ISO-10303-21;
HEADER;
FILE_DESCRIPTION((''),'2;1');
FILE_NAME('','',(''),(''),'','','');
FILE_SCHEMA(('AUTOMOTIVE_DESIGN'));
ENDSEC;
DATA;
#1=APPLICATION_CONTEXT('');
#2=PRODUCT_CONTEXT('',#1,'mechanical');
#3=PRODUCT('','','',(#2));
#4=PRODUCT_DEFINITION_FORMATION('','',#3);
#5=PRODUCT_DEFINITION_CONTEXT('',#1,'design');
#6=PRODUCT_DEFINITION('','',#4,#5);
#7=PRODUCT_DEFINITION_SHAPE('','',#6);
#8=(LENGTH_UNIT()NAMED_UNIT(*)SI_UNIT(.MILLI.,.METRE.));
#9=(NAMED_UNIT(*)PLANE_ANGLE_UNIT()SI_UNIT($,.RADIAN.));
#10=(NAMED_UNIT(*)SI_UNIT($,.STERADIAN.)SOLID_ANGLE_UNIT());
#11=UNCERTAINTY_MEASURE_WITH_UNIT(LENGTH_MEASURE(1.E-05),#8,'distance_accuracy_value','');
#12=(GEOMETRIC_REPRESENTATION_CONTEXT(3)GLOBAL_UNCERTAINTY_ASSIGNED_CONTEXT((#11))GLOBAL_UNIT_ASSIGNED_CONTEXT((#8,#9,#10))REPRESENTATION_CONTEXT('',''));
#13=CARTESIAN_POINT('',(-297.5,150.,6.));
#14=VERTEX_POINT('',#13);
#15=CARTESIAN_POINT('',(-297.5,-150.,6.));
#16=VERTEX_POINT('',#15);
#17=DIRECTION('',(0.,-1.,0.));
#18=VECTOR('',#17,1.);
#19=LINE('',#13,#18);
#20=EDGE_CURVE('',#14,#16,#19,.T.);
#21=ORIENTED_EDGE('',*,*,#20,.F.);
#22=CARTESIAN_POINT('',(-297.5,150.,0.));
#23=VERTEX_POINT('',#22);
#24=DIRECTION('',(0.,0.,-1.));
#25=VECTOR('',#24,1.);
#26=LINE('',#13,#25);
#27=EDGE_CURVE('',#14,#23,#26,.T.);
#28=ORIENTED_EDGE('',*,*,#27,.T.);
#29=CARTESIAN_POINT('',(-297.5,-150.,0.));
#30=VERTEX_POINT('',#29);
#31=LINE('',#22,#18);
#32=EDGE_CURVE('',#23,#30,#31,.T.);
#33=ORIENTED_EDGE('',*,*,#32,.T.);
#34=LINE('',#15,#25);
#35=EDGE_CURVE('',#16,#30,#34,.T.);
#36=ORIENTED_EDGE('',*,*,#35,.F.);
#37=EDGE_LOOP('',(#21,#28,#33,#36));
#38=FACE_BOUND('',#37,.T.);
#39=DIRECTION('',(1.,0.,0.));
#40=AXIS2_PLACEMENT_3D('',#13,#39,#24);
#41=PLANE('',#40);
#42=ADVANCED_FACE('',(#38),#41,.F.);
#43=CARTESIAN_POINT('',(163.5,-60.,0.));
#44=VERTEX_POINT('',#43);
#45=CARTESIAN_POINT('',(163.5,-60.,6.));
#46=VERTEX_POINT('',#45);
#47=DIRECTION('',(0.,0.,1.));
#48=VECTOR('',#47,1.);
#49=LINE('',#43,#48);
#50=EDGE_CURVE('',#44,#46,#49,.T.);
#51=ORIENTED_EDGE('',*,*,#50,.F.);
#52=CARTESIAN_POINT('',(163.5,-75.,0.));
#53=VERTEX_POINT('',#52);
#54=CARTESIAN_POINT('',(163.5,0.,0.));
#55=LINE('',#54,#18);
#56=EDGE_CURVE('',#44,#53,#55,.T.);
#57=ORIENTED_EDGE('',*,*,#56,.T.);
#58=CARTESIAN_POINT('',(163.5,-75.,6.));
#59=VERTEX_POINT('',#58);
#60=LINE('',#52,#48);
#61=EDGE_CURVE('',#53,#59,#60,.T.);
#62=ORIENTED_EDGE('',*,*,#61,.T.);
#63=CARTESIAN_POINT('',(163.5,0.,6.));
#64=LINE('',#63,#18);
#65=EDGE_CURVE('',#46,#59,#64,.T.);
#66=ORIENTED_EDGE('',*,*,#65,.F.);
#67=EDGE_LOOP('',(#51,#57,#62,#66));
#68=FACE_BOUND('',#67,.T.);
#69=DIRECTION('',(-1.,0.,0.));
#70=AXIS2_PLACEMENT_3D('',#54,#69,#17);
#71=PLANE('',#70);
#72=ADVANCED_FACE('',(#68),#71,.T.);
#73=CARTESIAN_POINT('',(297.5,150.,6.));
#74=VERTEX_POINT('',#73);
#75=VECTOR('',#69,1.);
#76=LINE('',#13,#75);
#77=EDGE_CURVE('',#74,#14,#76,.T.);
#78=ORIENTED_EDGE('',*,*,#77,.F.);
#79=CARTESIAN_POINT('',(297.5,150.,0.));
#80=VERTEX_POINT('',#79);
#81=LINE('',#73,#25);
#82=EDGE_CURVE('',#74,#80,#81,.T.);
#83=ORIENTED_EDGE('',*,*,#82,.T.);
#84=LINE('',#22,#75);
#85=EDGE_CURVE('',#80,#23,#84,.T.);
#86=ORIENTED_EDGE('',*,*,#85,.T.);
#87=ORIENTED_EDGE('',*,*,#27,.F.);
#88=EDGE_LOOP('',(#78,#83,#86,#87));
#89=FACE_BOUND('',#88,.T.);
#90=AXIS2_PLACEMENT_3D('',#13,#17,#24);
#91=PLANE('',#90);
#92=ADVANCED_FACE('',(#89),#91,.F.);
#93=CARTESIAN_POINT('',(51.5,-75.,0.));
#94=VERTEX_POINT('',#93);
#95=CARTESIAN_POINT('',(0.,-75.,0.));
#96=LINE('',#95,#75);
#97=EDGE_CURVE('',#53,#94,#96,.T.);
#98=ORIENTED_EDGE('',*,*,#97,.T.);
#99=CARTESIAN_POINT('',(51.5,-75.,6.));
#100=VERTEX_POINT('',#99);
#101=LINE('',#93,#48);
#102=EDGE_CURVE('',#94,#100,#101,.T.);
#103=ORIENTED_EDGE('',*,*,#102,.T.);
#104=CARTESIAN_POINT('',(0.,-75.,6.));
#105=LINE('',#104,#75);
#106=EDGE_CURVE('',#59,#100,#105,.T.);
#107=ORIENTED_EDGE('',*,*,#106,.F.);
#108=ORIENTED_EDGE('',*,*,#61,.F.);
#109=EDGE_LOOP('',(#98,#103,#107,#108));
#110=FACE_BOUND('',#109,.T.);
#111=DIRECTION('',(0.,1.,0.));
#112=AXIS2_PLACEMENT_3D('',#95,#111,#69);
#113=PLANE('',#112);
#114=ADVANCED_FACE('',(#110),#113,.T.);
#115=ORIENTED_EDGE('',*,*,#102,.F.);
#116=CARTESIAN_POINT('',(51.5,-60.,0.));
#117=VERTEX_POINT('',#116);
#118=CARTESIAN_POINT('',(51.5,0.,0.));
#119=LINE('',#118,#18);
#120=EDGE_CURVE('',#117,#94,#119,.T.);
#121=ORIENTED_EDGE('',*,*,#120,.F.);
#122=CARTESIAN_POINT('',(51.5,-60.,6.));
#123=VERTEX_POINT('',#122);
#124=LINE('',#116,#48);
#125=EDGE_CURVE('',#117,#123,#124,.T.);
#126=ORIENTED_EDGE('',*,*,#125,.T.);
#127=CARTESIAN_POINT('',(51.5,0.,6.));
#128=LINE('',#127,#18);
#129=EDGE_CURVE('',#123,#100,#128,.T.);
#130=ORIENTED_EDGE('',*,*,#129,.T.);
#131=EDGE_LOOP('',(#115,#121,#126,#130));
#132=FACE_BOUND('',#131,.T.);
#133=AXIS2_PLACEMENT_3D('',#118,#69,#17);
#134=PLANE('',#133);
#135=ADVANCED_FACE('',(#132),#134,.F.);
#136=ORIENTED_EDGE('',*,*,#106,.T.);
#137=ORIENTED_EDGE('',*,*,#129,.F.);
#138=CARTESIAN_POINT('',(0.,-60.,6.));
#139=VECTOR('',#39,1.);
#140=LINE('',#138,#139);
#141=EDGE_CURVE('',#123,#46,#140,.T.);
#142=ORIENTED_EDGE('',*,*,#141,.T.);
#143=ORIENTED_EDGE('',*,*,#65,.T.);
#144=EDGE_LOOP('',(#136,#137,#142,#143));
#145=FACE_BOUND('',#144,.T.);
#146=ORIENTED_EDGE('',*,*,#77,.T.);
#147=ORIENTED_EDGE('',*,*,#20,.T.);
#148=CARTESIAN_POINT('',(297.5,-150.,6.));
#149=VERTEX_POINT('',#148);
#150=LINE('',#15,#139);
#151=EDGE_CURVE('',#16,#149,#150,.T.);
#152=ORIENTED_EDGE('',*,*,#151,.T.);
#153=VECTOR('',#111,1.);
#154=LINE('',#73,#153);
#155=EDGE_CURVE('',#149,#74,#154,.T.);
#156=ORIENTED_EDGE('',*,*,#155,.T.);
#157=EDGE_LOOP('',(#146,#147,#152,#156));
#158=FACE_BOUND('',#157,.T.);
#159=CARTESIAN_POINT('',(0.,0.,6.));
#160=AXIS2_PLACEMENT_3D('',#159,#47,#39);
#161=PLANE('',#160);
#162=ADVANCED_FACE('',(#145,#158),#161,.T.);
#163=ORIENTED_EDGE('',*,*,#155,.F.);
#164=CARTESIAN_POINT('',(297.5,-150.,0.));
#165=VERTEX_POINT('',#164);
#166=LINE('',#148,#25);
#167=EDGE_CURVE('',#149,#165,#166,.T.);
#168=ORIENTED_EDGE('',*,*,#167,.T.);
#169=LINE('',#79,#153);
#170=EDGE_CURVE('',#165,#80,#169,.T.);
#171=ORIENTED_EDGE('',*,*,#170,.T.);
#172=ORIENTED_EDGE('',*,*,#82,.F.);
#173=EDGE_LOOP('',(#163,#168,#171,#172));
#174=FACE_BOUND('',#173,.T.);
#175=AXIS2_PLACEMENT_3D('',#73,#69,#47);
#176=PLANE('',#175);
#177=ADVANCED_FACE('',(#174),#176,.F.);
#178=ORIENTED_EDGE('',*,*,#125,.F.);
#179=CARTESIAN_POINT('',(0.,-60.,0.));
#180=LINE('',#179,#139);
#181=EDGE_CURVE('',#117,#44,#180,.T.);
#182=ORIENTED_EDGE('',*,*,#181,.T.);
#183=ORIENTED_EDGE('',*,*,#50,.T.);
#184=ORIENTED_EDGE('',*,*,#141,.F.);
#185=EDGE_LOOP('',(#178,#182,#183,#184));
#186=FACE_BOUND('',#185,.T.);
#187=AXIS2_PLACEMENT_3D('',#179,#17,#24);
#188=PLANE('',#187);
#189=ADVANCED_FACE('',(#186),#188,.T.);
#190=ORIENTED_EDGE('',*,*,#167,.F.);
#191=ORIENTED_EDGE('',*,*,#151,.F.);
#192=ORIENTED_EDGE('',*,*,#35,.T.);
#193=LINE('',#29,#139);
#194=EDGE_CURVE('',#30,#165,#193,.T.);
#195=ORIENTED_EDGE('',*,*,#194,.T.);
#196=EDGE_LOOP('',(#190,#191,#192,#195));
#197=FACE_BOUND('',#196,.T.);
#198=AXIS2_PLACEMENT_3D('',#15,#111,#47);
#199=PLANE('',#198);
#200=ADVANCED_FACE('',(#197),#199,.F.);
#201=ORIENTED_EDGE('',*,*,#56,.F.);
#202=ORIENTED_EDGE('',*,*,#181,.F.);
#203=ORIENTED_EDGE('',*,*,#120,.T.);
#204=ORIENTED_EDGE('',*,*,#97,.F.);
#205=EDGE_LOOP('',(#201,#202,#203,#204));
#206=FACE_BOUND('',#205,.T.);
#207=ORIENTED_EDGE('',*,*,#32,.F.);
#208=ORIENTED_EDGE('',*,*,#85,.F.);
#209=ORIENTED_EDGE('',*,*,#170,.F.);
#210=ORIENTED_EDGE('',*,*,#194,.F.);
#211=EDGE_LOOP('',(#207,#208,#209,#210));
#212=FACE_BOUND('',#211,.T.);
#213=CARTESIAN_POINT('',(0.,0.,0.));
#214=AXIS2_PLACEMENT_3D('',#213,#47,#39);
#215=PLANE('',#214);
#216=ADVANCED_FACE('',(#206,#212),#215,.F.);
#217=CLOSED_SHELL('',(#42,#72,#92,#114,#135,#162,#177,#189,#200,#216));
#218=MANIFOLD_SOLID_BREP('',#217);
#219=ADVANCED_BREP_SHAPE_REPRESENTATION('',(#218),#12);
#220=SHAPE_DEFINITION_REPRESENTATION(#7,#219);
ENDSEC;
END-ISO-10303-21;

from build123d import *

# Parameters (mm, degrees)
SKETCH_1_W          = 595
SKETCH_1_H          = 300
EXTRUDE_1_DEPTH     = 6
SKETCH_2_W          = 112
SKETCH_2_H          = 15
CUT_EXTRUDE_1_DEPTH = 334.230025658


with BuildPart() as part:
    # Эскиз1 → Бобышка-Вытянуть1 (new body)
    with BuildSketch(Plane.XY):
        Rectangle(SKETCH_1_W, SKETCH_1_H)
    extrude(amount=EXTRUDE_1_DEPTH)

    # Эскиз2 → Вырез-Вытянуть1 (cut, through all)
    with BuildSketch(Plane.XY.offset(6)):
        with Locations((107.5, -67.5)):
            Rectangle(SKETCH_2_W, SKETCH_2_H)
    extrude(amount=-CUT_EXTRUDE_1_DEPTH, mode=Mode.SUBTRACT)


solid = part.part
